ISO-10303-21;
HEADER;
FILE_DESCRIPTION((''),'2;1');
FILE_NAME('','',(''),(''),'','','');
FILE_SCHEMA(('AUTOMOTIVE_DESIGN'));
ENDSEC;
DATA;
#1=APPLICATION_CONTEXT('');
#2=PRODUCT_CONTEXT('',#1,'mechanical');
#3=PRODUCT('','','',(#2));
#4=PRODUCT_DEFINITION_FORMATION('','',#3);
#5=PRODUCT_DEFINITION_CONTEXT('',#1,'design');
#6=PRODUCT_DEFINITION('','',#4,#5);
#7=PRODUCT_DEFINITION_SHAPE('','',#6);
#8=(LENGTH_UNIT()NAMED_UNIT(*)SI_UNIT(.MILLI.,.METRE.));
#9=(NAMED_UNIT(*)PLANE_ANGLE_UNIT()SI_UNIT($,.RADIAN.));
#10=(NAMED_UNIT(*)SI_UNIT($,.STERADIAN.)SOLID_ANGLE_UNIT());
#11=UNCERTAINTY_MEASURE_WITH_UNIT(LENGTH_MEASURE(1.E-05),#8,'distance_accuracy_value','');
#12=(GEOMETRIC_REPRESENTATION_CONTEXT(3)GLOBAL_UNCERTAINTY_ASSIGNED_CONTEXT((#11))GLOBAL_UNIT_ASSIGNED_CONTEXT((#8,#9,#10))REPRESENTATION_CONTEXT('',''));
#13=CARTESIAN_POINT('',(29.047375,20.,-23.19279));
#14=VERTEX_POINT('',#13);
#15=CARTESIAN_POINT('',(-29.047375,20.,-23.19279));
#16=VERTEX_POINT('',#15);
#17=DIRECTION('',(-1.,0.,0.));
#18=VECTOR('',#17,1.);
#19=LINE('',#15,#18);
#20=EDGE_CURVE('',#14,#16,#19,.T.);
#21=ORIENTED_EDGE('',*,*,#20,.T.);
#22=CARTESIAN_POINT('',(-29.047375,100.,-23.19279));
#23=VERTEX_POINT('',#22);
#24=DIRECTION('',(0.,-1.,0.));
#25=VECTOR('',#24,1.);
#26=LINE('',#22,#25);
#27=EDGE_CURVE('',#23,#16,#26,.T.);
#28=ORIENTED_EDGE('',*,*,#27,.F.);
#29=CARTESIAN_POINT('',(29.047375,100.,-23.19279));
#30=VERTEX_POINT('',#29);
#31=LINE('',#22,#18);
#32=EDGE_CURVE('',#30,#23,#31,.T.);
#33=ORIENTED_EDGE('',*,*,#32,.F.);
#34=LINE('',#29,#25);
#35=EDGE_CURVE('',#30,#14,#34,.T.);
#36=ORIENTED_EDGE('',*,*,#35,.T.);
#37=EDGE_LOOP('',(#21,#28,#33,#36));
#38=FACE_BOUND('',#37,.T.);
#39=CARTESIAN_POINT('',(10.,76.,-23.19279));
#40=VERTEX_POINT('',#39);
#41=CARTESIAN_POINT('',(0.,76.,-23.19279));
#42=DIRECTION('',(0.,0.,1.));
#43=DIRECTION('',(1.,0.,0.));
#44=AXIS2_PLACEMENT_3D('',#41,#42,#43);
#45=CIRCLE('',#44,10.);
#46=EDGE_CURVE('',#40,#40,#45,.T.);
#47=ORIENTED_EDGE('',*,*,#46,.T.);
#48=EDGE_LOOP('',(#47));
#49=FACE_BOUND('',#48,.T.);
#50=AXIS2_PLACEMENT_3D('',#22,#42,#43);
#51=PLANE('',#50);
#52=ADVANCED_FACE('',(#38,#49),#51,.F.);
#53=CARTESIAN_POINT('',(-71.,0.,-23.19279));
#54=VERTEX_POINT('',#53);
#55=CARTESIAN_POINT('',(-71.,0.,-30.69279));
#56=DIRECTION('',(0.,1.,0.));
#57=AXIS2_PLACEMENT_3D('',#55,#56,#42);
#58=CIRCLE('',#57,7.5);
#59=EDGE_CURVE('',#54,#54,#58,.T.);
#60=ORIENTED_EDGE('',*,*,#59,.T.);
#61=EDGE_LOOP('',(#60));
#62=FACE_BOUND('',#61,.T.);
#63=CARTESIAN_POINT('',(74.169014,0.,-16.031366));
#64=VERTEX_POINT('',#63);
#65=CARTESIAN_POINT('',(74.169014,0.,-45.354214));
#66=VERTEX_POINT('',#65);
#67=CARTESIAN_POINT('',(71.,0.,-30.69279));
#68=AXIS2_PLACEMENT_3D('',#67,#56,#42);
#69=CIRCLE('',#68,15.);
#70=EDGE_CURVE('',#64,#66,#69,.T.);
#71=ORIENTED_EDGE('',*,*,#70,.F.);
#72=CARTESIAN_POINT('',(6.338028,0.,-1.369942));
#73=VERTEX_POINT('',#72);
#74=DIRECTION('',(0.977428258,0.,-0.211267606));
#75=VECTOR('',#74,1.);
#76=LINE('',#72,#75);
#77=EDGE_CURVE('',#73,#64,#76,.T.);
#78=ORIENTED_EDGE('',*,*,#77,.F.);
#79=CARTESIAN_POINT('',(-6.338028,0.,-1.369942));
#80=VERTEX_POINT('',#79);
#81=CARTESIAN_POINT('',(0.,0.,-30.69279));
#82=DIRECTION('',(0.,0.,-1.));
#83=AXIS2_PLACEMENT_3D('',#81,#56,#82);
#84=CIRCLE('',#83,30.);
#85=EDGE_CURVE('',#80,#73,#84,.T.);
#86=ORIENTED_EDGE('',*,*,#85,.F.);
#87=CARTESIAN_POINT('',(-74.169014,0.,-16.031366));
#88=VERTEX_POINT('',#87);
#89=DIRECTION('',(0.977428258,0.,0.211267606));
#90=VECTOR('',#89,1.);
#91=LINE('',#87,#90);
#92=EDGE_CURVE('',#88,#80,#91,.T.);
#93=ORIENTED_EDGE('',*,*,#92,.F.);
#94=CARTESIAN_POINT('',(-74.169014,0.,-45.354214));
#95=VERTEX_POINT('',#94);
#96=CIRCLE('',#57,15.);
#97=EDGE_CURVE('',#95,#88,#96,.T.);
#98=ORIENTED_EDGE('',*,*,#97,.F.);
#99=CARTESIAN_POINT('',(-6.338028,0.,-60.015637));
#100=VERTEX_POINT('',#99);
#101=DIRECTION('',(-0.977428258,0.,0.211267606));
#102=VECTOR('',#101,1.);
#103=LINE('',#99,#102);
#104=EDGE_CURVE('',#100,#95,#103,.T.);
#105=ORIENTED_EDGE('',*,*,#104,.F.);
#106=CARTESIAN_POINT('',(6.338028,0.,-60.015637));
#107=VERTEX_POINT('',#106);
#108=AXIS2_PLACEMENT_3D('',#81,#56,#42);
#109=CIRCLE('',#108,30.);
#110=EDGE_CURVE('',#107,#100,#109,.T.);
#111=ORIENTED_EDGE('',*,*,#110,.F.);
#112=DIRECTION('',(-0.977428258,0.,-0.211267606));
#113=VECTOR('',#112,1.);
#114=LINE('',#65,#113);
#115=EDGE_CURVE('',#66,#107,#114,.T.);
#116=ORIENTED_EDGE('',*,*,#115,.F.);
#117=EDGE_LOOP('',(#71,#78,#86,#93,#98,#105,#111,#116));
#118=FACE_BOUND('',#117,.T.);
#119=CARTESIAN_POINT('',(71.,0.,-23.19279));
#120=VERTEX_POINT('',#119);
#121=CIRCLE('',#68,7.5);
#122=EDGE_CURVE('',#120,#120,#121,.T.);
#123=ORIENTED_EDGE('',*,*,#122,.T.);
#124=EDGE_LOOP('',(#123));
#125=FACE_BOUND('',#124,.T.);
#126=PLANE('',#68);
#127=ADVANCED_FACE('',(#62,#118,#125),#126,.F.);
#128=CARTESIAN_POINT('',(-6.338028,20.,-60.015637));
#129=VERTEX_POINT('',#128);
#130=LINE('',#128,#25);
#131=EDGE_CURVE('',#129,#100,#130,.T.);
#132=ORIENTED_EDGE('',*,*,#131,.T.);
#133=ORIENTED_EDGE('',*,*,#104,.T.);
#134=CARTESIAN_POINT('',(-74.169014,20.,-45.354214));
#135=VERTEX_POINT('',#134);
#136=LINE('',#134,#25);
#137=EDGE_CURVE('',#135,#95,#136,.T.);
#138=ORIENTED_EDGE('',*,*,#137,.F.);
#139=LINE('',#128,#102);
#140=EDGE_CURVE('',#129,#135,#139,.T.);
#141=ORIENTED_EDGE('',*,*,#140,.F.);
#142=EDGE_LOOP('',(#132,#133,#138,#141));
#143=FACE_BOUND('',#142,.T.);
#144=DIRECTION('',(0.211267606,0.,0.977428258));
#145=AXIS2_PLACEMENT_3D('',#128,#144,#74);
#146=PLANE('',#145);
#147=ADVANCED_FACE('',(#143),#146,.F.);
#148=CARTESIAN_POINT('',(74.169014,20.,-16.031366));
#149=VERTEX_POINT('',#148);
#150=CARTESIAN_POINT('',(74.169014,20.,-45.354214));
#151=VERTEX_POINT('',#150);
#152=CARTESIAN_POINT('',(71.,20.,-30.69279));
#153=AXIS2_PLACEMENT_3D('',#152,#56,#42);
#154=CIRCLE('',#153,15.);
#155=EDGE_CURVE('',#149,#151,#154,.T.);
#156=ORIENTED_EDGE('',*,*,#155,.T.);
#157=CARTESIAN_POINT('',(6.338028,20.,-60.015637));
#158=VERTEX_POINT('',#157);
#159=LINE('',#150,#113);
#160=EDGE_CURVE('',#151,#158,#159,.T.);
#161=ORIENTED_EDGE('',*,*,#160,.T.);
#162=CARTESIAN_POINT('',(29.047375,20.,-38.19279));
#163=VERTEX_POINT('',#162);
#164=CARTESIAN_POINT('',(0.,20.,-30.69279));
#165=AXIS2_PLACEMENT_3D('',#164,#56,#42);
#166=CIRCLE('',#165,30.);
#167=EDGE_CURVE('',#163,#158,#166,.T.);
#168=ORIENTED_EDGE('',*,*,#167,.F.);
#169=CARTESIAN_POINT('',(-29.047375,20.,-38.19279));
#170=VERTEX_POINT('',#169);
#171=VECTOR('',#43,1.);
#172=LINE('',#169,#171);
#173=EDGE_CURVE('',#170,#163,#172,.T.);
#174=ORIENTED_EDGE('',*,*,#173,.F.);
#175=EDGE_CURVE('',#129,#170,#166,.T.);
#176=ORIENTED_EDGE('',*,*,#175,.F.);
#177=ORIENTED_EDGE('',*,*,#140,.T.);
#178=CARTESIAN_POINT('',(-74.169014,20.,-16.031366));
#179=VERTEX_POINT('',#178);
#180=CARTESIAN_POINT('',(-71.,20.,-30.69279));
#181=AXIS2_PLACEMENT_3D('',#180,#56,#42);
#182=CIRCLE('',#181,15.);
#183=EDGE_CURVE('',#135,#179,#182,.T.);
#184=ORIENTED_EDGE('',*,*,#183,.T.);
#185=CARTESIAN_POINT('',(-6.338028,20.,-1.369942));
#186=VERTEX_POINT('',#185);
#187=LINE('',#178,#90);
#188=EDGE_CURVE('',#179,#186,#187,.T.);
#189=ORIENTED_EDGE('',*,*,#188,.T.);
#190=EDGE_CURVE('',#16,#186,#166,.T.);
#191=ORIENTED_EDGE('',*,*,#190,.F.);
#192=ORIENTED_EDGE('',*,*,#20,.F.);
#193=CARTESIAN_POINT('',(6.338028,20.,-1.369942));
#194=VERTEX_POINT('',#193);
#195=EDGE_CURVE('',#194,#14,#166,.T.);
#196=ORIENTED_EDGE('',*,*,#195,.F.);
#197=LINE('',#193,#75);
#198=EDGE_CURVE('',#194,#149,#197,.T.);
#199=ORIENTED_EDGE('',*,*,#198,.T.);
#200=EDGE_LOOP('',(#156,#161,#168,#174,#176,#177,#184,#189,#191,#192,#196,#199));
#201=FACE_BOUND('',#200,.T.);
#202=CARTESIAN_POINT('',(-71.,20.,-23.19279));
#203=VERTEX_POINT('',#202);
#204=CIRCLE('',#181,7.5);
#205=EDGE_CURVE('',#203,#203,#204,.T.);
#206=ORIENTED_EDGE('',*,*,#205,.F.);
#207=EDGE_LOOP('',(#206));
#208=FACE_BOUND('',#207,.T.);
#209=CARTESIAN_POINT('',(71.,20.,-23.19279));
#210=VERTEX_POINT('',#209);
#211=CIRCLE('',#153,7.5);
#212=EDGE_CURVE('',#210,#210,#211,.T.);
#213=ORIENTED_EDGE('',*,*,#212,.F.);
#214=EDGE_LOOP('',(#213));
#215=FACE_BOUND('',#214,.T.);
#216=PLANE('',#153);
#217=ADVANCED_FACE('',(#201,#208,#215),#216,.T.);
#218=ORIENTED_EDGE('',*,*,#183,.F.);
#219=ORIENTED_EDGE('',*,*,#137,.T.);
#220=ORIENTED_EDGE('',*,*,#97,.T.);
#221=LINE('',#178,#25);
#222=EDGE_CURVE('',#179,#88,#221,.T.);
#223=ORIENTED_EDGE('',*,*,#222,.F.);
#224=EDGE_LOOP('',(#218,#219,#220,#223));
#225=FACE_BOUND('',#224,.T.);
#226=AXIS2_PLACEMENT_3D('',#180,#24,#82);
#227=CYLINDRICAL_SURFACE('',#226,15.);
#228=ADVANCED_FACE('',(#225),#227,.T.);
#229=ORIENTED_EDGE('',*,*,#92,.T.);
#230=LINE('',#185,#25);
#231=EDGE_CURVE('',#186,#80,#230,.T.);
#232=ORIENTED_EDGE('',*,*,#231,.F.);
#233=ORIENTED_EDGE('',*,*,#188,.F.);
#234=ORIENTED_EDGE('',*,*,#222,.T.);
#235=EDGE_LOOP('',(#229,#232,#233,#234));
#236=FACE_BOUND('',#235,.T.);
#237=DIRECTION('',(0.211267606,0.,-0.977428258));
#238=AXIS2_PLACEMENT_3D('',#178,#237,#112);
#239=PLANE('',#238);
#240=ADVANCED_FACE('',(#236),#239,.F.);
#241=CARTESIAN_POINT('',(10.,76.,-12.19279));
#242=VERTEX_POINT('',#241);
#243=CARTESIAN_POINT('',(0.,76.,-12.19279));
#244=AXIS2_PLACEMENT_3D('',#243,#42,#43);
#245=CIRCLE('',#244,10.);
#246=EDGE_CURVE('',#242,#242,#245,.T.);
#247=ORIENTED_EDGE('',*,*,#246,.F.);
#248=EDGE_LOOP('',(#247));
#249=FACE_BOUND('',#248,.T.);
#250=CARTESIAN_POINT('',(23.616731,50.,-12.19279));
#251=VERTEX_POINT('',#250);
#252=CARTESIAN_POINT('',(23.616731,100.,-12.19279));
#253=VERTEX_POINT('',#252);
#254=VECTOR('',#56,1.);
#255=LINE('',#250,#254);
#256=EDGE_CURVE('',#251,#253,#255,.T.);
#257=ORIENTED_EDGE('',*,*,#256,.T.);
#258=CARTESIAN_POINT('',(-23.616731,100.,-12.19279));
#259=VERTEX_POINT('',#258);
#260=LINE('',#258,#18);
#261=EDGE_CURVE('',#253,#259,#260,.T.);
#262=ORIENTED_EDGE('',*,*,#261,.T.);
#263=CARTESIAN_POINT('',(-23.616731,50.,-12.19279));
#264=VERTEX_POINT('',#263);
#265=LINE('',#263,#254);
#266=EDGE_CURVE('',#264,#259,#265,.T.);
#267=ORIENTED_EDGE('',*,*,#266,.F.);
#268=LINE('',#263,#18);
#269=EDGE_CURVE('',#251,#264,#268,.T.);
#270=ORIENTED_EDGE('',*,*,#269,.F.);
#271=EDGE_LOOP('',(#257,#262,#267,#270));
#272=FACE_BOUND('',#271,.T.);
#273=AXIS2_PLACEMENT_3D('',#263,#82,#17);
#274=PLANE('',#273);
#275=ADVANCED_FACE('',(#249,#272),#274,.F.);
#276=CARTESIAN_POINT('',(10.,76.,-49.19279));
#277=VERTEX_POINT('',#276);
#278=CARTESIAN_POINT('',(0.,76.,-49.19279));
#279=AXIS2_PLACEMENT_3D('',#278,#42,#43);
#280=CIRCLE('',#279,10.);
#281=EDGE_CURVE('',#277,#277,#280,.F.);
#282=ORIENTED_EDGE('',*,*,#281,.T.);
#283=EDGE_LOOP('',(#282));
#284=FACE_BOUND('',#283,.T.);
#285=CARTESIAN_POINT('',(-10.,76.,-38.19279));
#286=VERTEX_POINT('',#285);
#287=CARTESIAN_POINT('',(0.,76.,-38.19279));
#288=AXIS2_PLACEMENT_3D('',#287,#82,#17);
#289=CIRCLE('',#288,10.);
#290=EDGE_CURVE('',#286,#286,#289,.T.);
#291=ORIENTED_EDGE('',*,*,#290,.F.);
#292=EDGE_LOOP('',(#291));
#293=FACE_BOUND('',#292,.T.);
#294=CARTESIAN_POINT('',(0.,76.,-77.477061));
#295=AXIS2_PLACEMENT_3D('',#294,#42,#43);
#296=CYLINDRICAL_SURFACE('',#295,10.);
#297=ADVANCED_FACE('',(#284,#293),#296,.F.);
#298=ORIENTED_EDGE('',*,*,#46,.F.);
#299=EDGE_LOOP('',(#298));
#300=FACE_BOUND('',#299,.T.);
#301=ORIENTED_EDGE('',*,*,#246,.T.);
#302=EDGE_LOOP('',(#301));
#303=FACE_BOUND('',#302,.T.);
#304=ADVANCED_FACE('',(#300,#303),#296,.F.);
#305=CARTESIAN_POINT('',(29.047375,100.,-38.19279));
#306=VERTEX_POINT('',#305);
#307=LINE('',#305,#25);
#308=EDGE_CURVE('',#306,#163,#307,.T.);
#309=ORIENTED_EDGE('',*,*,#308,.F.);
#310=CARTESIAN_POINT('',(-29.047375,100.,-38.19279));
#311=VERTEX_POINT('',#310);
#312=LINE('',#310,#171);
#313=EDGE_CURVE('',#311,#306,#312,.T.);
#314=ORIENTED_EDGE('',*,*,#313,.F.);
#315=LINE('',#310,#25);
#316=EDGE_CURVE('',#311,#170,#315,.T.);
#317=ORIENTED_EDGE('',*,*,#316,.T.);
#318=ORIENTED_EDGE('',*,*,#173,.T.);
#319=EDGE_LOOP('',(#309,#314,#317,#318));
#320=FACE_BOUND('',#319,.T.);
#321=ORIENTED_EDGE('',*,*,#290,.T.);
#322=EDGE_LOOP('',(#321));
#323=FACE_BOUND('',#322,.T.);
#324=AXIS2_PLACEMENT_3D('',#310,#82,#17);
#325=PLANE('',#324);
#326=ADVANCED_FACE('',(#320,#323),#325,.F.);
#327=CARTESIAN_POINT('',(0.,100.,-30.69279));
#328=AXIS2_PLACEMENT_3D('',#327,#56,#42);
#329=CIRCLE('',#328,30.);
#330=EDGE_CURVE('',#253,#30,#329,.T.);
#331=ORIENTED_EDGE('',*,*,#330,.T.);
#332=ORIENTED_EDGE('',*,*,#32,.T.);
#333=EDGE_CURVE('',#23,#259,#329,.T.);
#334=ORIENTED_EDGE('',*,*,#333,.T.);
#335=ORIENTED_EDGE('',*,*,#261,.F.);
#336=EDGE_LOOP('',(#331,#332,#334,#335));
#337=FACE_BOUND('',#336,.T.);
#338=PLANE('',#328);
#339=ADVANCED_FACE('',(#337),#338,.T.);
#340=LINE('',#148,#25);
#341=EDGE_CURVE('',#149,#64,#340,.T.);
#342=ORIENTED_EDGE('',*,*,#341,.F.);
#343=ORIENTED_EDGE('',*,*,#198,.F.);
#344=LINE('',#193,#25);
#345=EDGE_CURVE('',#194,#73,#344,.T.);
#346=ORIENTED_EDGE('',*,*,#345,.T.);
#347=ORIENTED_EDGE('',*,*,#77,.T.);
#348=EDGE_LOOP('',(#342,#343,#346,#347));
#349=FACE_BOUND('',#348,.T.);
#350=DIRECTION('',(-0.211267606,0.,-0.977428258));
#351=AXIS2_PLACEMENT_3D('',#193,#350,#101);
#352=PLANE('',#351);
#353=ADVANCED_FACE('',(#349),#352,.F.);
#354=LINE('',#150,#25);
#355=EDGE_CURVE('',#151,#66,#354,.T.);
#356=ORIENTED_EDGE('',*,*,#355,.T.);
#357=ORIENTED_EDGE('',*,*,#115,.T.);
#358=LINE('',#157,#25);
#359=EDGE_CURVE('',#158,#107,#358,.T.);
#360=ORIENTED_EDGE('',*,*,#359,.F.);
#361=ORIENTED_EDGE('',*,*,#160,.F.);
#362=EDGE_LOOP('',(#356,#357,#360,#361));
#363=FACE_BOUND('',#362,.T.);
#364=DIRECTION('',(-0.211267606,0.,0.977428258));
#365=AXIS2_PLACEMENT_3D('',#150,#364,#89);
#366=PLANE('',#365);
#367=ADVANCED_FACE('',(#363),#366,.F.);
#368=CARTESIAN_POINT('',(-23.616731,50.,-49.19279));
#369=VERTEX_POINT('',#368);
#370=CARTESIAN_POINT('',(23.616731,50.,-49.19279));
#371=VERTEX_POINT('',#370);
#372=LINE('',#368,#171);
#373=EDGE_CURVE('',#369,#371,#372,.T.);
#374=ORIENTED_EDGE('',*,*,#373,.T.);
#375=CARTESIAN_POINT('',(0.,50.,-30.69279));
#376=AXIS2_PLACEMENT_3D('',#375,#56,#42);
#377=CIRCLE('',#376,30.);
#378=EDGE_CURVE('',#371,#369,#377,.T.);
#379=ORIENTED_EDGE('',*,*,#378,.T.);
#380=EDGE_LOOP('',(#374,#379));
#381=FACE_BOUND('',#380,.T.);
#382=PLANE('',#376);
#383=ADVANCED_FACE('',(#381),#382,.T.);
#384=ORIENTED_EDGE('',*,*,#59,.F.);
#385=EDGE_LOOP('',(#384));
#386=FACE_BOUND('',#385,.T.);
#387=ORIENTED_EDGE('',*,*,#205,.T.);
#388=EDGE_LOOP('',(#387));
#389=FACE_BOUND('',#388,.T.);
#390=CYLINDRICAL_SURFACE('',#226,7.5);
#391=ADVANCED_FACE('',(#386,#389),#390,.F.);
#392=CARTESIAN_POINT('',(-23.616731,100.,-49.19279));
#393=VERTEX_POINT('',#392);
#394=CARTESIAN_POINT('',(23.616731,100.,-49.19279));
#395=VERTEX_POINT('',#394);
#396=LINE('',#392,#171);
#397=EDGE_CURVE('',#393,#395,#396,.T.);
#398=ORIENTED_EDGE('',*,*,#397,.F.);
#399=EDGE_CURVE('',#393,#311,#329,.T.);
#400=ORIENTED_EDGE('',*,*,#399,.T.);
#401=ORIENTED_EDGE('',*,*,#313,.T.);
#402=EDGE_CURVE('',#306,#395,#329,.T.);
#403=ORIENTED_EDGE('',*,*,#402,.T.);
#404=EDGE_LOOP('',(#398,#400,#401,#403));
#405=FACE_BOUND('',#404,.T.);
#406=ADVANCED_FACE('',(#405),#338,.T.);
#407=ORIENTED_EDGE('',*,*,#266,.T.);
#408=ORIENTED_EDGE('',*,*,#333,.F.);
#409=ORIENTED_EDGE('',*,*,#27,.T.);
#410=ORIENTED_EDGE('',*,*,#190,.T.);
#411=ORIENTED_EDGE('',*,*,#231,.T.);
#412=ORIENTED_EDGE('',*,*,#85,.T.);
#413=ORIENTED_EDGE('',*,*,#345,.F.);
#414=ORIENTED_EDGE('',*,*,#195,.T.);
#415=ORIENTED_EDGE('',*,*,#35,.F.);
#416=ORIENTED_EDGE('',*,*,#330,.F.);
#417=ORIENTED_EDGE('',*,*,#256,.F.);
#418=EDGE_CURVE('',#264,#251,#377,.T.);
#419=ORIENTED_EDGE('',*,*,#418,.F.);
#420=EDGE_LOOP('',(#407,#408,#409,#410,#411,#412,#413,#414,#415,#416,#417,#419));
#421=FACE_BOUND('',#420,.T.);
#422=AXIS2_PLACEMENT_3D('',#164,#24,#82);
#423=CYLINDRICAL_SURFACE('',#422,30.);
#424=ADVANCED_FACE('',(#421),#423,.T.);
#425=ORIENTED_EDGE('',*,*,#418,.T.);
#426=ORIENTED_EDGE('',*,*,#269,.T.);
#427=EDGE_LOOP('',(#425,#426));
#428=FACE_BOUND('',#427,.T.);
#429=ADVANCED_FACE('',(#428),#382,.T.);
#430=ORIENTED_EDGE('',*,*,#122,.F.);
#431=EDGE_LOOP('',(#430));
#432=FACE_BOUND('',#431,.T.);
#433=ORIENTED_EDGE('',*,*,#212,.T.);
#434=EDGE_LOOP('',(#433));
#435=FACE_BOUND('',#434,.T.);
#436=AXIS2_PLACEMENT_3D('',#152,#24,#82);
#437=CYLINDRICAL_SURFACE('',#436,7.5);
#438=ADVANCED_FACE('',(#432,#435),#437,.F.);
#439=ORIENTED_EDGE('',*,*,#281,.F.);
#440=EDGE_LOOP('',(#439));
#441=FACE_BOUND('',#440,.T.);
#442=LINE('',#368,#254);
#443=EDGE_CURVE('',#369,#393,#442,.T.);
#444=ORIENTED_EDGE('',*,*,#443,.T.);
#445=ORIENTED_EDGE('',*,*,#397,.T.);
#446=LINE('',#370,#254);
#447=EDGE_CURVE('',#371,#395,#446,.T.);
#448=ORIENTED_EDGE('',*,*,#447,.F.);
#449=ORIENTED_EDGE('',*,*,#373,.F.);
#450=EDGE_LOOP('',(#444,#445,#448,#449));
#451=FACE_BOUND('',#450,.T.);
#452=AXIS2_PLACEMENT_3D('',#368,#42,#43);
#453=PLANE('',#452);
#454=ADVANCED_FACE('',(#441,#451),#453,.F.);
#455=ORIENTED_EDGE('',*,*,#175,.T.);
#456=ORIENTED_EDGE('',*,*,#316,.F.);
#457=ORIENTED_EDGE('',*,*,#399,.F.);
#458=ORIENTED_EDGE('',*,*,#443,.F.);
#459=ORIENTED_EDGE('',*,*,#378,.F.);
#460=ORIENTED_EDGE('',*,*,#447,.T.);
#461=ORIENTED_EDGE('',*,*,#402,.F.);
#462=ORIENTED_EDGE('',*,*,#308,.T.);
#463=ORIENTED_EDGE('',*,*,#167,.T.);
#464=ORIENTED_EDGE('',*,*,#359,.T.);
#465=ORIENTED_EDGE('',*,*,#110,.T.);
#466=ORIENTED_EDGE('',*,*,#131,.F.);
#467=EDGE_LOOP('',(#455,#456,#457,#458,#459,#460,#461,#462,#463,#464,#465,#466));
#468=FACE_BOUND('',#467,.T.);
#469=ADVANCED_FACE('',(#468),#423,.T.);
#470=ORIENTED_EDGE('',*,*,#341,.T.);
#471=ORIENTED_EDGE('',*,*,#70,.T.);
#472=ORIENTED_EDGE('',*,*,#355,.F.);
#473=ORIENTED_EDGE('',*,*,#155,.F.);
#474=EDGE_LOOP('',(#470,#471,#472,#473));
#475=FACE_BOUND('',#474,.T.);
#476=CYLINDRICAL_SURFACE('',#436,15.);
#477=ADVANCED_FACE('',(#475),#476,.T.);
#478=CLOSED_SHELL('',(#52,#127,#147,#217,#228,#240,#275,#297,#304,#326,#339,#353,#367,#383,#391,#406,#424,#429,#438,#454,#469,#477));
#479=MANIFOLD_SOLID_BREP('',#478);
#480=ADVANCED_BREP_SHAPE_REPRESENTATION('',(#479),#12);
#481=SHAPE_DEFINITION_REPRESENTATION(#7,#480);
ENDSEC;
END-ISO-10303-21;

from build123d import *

# Parameters (mm, degrees)
CROQUIS1_R              = 7.5
SALIENTE_EXTRUIR1_DEPTH = 20
SALIENTE_EXTRUIR2_DEPTH = 80
CORTAR_EXTRUIR1_DEPTH   = 50
CROQUIS4_R              = 10
CORTAR_EXTRUIR2_DEPTH   = 37


with BuildPart() as part:
    # Croquis1 → Saliente-Extruir1 (new body)
    with BuildSketch(Plane(origin=(0, 0, 0), x_dir=(1, 0, 0), z_dir=(0, 1, 0))):
        with BuildLine():
            Line((6.338028169, 1.369942014), (74.169014085, 16.031365878))
            ThreePointArc((74.169014085, 16.031365878), (86, 30.692789743), (74.169014085, 45.354213607))
            Line((74.169014085, 45.354213607), (6.338028169, 60.015637472))
            ThreePointArc((6.338028169, 60.015637472), (0, 60.692789743), (-6.338028169, 60.015637472))
            Line((-6.338028169, 60.015637472), (-74.169014085, 45.354213607))
            ThreePointArc((-74.169014085, 45.354213607), (-86, 30.692789743), (-74.169014085, 16.031365878))
            Line((-74.169014085, 16.031365878), (-6.338028169, 1.369942014))
            ThreePointArc((-6.338028169, 1.369942014), (0, 0.692789743), (6.338028169, 1.369942014))
        make_face()
        with Locations((-71, 30.692789743)):
            Circle(CROQUIS1_R, mode=Mode.SUBTRACT)
        with Locations((71, 30.692789743)):
            Circle(CROQUIS1_R, mode=Mode.SUBTRACT)
    extrude(amount=SALIENTE_EXTRUIR1_DEPTH)

    # Croquis2 → Saliente-Extruir2 (add)
    with BuildSketch(Plane(origin=(0, 20, 0), x_dir=(1, 0, 0), z_dir=(0, 1, 0))):
        with BuildLine():
            Line((-29.047375097, 23.192789743), (29.047375097, 23.192789743))
            ThreePointArc((29.047375097, 23.192789743), (0, 0.692789743), (-29.047375097, 23.192789743))
        make_face()
        with BuildLine():
            Line((-29.047375097, 38.192789743), (29.047375097, 38.192789743))
            ThreePointArc((29.047375097, 38.192789743), (0, 60.692789743), (-29.047375097, 38.192789743))
        make_face()
    extrude(amount=SALIENTE_EXTRUIR2_DEPTH)

    # Croquis3 → Cortar-Extruir1 (cut)
    with BuildSketch(Plane(origin=(0, 100, 0), x_dir=(1, 0, 0), z_dir=(0, 1, 0))):
        with BuildLine():
            Line((-23.616731357, 49.192789743), (23.616731357, 49.192789743))
            ThreePointArc((23.616731357, 49.192789743), (0, 60.692789743), (-23.616731357, 49.192789743))
        make_face()
        with BuildLine():
            Line((-23.616731357, 12.192789743), (23.616731357, 12.192789743))
            ThreePointArc((23.616731357, 12.192789743), (0, 0.692789743), (-23.616731357, 12.192789743))
        make_face()
    extrude(amount=-CORTAR_EXTRUIR1_DEPTH, mode=Mode.SUBTRACT)

    # Croquis4 → Cortar-Extruir2 (cut)
    with BuildSketch(Plane.XY.offset(-12.192789743)):
        with Locations((0, 76)):
            Circle(CROQUIS4_R)
    extrude(amount=-CORTAR_EXTRUIR2_DEPTH, mode=Mode.SUBTRACT)


solid = part.part
